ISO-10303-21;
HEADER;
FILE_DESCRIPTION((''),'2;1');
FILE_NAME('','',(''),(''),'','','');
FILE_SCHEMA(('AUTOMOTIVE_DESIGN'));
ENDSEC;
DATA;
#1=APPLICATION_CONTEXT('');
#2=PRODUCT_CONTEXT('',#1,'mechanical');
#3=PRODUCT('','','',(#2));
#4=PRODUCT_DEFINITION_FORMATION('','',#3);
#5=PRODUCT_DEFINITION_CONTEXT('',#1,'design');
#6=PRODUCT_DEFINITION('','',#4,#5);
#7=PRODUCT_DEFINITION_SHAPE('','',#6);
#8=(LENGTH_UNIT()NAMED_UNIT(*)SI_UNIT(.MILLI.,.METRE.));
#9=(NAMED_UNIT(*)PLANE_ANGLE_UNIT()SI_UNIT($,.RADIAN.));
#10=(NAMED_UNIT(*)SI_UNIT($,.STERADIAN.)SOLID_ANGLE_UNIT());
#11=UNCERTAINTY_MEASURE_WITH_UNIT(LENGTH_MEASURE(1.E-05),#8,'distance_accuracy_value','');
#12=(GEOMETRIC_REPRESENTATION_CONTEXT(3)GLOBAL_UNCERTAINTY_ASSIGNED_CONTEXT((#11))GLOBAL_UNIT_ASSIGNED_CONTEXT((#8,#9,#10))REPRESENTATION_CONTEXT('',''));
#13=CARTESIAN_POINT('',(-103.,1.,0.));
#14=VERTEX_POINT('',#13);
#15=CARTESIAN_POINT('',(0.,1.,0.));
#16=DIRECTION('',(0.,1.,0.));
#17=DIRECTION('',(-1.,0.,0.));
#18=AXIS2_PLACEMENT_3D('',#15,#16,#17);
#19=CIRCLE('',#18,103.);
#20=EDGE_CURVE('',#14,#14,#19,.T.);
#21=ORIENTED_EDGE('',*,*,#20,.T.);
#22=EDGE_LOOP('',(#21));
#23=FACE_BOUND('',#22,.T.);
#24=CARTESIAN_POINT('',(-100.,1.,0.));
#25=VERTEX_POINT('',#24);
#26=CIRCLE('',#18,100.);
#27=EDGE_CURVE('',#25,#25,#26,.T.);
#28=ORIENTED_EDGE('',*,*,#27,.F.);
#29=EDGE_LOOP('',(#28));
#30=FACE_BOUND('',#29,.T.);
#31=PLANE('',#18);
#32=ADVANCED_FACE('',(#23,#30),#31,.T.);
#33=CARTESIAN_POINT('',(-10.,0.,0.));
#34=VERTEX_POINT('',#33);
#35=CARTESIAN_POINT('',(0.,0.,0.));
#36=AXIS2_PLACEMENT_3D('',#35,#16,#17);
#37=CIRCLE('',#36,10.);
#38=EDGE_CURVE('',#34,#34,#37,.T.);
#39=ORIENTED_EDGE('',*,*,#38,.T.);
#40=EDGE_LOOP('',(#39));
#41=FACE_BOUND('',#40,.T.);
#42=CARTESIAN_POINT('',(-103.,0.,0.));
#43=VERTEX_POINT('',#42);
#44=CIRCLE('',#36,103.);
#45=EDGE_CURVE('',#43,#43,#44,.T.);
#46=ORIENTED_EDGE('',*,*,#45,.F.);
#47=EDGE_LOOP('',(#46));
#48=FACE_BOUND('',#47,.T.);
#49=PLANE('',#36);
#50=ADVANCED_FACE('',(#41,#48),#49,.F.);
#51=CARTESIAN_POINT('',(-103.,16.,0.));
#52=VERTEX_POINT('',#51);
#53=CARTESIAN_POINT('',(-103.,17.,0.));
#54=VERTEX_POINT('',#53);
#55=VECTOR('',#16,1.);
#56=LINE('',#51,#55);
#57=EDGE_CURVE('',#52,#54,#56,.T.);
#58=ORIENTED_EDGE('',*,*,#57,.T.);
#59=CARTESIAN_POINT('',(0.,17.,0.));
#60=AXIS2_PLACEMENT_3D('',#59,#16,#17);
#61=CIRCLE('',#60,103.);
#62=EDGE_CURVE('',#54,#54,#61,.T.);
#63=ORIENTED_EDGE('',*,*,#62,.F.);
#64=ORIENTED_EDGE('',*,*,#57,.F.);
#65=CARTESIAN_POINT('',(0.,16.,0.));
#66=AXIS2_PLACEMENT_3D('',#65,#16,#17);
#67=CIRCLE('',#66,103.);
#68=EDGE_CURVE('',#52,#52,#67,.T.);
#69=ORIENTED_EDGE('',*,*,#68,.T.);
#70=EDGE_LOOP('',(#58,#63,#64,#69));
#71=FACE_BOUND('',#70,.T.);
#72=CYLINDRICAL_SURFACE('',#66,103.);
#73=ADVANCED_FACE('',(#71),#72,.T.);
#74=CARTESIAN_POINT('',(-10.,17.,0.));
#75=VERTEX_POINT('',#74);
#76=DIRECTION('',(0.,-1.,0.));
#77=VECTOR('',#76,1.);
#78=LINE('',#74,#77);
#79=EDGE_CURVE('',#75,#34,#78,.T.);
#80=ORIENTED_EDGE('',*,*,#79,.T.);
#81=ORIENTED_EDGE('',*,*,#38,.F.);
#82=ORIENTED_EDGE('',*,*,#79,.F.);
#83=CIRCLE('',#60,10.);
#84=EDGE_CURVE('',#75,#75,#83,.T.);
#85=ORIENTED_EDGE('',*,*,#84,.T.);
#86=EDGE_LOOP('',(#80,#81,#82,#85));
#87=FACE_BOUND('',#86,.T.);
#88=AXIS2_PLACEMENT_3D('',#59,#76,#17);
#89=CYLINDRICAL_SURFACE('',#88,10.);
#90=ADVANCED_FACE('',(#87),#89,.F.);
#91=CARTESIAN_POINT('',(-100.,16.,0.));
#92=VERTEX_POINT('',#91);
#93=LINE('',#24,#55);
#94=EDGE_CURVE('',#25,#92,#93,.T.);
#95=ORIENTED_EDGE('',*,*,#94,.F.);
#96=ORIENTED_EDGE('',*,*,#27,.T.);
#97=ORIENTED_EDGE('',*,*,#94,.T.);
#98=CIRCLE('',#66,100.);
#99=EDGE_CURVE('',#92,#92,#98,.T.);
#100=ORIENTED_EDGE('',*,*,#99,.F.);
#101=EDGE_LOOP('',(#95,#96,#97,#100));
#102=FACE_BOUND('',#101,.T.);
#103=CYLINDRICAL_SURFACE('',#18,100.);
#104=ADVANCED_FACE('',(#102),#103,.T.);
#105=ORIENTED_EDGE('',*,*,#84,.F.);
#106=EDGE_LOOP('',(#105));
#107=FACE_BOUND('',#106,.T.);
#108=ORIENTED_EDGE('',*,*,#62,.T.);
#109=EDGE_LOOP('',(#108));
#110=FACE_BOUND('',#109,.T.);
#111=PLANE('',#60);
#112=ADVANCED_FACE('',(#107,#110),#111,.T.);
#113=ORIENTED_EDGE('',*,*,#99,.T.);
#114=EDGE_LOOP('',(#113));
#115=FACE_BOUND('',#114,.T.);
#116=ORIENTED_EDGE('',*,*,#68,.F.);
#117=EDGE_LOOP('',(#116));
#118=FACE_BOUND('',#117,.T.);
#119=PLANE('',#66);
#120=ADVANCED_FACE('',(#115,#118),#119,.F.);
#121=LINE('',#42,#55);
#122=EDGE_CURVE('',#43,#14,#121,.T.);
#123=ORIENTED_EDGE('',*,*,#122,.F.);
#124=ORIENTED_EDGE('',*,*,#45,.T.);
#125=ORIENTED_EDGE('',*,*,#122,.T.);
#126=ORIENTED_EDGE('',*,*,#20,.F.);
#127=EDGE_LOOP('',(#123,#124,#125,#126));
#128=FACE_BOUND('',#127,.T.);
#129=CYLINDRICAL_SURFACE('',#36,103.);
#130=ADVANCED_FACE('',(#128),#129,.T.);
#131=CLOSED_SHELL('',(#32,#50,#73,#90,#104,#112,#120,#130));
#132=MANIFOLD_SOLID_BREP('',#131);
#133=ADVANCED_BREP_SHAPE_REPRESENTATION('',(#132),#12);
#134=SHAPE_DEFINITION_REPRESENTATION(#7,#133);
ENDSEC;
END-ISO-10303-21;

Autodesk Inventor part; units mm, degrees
ref_plane "YZ Plane" through (0, 0, 0) normal (1, 0, 0) x (0, 1, 0)
ref_plane "XZ Plane" through (0, 0, 0) normal (0, 1, 0) x (-1, 0, 0)
ref_plane "XY Plane" through (0, 0, 0) normal (0, 0, 1) x (1, 0, 0)
sketch "Sketch1" plane through (0, 0, 0) normal (0, 0, 1) x (1, 0, 0)
  line L0 (0, 0) -> (-103, 0)
  line L1 (-103, 0) -> (-103, 1)
  line L2 (-103, 1) -> (-100, 1)
  line L3 (-100, 1) -> (-100, 16)
  line L4 (-100, 16) -> (-103, 16)
  line L5 (-103, 16) -> (-103, 17)
  line L6 (-103, 17) -> (-10, 17)
  line L7 (-10, 17) -> (-10, 0)
  line L8 (0, 0) -> (0, 15.4715) construction
  dimension "d0" = 100
  dimension "d1" = 15
  dimension "d2" = 1
  dimension "d3" = 1
  dimension "d4" = 10
  dimension "d5" = 3
revolve "Revolution1" add sketch "Sketch1" angle 360 about axis through (0, 0, 0) along (0, 1, 0)
properties part number "fakepully"
